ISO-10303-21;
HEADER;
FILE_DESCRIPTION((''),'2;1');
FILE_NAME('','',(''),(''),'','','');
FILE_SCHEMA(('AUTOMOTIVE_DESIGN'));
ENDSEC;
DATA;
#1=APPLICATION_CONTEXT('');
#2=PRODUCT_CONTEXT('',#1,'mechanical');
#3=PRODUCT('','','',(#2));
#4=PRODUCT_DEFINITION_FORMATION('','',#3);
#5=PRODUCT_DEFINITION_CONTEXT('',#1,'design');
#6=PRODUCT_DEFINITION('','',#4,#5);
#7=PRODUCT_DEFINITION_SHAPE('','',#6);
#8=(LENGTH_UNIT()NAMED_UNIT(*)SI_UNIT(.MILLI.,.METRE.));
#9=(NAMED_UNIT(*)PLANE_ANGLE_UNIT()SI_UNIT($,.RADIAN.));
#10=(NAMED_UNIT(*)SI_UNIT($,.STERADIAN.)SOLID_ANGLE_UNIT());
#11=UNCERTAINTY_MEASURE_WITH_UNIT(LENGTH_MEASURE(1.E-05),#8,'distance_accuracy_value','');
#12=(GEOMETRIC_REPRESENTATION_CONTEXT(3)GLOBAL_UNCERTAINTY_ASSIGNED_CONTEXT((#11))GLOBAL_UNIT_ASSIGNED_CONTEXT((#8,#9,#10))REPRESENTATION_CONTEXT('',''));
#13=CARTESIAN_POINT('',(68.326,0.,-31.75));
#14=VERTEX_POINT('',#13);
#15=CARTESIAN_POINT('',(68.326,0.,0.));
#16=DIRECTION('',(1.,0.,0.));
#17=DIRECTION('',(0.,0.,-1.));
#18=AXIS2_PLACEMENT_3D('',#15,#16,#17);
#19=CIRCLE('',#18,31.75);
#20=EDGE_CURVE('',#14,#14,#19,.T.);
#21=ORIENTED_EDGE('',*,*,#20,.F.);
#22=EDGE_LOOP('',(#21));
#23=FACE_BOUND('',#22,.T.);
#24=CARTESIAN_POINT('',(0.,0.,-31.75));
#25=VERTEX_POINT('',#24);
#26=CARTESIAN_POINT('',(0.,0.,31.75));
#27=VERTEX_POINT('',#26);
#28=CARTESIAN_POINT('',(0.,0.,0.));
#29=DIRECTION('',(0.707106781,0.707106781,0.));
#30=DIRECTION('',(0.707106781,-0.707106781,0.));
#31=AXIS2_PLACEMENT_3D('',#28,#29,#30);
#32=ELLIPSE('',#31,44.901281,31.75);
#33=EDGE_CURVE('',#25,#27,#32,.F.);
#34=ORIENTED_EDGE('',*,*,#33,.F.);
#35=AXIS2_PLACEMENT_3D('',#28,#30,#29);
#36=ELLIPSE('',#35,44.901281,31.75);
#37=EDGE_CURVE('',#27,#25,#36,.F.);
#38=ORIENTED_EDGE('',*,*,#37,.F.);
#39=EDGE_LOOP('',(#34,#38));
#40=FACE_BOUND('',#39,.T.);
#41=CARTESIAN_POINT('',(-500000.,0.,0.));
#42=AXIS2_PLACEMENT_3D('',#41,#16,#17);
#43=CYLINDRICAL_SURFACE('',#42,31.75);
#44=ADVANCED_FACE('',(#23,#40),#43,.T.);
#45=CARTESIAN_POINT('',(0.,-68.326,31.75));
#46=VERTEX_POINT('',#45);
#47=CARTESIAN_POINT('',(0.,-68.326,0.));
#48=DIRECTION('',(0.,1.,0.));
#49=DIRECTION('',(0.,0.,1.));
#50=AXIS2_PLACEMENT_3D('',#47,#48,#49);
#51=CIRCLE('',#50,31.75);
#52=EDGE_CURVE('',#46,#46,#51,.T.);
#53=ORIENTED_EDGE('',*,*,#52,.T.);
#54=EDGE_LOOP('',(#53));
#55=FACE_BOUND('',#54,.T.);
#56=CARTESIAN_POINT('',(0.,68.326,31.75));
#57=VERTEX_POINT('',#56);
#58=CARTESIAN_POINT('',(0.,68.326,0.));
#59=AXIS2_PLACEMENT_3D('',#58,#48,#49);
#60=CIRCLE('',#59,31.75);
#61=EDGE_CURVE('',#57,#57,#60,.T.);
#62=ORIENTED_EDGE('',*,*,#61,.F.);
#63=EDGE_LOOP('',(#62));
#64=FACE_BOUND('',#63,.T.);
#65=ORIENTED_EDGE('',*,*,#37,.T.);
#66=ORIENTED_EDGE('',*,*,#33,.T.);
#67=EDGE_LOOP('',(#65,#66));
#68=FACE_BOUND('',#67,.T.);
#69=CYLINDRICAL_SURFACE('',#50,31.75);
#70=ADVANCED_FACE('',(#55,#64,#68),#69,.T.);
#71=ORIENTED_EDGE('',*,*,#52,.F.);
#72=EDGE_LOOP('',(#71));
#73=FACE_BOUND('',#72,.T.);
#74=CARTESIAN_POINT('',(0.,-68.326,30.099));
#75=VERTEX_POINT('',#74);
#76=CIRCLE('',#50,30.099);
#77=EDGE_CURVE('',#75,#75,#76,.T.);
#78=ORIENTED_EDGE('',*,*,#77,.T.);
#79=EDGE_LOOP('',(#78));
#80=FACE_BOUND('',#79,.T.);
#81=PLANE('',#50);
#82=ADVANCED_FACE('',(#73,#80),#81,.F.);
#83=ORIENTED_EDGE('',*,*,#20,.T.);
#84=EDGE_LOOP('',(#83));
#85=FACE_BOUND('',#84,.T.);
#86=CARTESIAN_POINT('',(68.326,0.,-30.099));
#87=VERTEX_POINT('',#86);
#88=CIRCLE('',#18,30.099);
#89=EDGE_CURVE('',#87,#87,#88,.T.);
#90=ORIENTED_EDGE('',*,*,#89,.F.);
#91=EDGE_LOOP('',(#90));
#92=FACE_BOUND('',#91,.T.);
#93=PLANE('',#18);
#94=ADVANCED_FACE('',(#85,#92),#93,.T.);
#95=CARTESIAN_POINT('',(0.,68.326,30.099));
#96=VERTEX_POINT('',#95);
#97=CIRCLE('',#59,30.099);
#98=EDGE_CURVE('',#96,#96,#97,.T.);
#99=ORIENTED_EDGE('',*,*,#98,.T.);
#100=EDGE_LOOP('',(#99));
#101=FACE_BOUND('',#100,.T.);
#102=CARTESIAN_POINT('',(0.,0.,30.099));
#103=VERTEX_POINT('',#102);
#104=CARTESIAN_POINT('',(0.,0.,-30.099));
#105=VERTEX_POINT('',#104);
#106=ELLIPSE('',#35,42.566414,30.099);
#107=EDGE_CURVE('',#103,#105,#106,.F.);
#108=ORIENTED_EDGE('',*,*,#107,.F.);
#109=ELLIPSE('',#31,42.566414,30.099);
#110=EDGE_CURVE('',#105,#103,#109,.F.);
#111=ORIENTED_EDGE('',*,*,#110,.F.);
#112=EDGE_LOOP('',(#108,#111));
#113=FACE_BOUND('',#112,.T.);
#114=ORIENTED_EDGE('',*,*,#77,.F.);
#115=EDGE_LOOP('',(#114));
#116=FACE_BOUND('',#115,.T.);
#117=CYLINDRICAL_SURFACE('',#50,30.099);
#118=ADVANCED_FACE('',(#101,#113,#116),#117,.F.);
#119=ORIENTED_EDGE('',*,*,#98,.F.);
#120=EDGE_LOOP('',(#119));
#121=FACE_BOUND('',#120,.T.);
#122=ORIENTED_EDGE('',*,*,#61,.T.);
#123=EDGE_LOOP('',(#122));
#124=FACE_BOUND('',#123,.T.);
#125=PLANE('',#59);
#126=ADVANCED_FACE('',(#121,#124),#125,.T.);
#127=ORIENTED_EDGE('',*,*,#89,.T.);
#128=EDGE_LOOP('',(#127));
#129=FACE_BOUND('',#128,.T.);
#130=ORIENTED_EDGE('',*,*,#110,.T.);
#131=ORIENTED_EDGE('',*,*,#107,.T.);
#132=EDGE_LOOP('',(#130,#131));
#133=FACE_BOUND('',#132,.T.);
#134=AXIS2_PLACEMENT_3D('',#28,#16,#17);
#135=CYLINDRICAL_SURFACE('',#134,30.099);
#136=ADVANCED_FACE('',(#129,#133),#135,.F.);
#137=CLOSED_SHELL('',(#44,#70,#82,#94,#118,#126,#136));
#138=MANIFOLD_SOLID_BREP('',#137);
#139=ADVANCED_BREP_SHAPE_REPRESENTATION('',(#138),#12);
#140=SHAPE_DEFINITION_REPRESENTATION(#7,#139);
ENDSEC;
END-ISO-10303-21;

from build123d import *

# Parameters (mm, degrees)
EXTRUDE1_DEPTH          = 68.326
EXTRUDE1_DEPTH_BACK     = 68.326
SKETCH1_R               = 31.75
EXTRUDE2_REACH          = 127.267
EXTRUDE2_END_RADIUS     = 31.75
SKETCH3_R               = 31.75
SKETCH4_R               = 30.099
CUT_EXTRUDE1_DEPTH      = 68.326
CUT_EXTRUDE2_DEPTH      = 102.710112831
CUT_EXTRUDE2_DEPTH_BACK = 102.710112831
SKETCH5_R               = 30.099


with BuildPart() as part:
    # Sketch1 → Extrude1 (new, two sides: drawn at the far end of the back side and taken through both)
    with BuildSketch(Plane(origin=(0, 0, 0), x_dir=(1, 0, 0), z_dir=(0, 1, 0)).offset(-EXTRUDE1_DEPTH_BACK)):
        with Locations(Location((0, 0, 0), (0, 0, 270))):
            Circle(SKETCH1_R)
    extrude(amount=EXTRUDE1_DEPTH + EXTRUDE1_DEPTH_BACK)

    # Extrude2: up to this cylinder (the profile starts outside it)
    extrude2_end = Plane(origin=(0, 0, 0), z_dir=(0, 1, 0)) * Cylinder(EXTRUDE2_END_RADIUS, 319.034, mode=Mode.PRIVATE)
    # Sketch3 → Extrude2 (add, up to the surface)
    with BuildSketch(Plane(origin=(68.326, 0, 0), x_dir=(0, 0, -1), z_dir=(1, 0, 0)), mode=Mode.PRIVATE) as extrude2_sk1:
        Circle(SKETCH3_R)
    extrude2_tool1 = extrude(extrude2_sk1.sketch, amount=-EXTRUDE2_REACH, mode=Mode.PRIVATE) - extrude2_end
    add(extrude2_tool1.solids().sort_by_distance((68.326, 0, 0))[0])

    # Sketch4 → Cut-Extrude1 (cut)
    with BuildSketch(Plane(origin=(68.326, 0, 0), x_dir=(0, 0, -1), z_dir=(1, 0, 0))):
        Circle(SKETCH4_R)
    extrude(amount=-CUT_EXTRUDE1_DEPTH, mode=Mode.SUBTRACT)

    # Sketch5 → Cut-Extrude2 (cut, two sides: drawn at the far end of the back side and taken through both)
    with BuildSketch(Plane(origin=(0, 0, 0), x_dir=(1, 0, 0), z_dir=(0, 1, 0)).offset(-CUT_EXTRUDE2_DEPTH_BACK)):
        with Locations(Location((0, 0, 0), (0, 0, 270))):
            Circle(SKETCH5_R)
    extrude(amount=CUT_EXTRUDE2_DEPTH + CUT_EXTRUDE2_DEPTH_BACK, mode=Mode.SUBTRACT)


solid = part.part
